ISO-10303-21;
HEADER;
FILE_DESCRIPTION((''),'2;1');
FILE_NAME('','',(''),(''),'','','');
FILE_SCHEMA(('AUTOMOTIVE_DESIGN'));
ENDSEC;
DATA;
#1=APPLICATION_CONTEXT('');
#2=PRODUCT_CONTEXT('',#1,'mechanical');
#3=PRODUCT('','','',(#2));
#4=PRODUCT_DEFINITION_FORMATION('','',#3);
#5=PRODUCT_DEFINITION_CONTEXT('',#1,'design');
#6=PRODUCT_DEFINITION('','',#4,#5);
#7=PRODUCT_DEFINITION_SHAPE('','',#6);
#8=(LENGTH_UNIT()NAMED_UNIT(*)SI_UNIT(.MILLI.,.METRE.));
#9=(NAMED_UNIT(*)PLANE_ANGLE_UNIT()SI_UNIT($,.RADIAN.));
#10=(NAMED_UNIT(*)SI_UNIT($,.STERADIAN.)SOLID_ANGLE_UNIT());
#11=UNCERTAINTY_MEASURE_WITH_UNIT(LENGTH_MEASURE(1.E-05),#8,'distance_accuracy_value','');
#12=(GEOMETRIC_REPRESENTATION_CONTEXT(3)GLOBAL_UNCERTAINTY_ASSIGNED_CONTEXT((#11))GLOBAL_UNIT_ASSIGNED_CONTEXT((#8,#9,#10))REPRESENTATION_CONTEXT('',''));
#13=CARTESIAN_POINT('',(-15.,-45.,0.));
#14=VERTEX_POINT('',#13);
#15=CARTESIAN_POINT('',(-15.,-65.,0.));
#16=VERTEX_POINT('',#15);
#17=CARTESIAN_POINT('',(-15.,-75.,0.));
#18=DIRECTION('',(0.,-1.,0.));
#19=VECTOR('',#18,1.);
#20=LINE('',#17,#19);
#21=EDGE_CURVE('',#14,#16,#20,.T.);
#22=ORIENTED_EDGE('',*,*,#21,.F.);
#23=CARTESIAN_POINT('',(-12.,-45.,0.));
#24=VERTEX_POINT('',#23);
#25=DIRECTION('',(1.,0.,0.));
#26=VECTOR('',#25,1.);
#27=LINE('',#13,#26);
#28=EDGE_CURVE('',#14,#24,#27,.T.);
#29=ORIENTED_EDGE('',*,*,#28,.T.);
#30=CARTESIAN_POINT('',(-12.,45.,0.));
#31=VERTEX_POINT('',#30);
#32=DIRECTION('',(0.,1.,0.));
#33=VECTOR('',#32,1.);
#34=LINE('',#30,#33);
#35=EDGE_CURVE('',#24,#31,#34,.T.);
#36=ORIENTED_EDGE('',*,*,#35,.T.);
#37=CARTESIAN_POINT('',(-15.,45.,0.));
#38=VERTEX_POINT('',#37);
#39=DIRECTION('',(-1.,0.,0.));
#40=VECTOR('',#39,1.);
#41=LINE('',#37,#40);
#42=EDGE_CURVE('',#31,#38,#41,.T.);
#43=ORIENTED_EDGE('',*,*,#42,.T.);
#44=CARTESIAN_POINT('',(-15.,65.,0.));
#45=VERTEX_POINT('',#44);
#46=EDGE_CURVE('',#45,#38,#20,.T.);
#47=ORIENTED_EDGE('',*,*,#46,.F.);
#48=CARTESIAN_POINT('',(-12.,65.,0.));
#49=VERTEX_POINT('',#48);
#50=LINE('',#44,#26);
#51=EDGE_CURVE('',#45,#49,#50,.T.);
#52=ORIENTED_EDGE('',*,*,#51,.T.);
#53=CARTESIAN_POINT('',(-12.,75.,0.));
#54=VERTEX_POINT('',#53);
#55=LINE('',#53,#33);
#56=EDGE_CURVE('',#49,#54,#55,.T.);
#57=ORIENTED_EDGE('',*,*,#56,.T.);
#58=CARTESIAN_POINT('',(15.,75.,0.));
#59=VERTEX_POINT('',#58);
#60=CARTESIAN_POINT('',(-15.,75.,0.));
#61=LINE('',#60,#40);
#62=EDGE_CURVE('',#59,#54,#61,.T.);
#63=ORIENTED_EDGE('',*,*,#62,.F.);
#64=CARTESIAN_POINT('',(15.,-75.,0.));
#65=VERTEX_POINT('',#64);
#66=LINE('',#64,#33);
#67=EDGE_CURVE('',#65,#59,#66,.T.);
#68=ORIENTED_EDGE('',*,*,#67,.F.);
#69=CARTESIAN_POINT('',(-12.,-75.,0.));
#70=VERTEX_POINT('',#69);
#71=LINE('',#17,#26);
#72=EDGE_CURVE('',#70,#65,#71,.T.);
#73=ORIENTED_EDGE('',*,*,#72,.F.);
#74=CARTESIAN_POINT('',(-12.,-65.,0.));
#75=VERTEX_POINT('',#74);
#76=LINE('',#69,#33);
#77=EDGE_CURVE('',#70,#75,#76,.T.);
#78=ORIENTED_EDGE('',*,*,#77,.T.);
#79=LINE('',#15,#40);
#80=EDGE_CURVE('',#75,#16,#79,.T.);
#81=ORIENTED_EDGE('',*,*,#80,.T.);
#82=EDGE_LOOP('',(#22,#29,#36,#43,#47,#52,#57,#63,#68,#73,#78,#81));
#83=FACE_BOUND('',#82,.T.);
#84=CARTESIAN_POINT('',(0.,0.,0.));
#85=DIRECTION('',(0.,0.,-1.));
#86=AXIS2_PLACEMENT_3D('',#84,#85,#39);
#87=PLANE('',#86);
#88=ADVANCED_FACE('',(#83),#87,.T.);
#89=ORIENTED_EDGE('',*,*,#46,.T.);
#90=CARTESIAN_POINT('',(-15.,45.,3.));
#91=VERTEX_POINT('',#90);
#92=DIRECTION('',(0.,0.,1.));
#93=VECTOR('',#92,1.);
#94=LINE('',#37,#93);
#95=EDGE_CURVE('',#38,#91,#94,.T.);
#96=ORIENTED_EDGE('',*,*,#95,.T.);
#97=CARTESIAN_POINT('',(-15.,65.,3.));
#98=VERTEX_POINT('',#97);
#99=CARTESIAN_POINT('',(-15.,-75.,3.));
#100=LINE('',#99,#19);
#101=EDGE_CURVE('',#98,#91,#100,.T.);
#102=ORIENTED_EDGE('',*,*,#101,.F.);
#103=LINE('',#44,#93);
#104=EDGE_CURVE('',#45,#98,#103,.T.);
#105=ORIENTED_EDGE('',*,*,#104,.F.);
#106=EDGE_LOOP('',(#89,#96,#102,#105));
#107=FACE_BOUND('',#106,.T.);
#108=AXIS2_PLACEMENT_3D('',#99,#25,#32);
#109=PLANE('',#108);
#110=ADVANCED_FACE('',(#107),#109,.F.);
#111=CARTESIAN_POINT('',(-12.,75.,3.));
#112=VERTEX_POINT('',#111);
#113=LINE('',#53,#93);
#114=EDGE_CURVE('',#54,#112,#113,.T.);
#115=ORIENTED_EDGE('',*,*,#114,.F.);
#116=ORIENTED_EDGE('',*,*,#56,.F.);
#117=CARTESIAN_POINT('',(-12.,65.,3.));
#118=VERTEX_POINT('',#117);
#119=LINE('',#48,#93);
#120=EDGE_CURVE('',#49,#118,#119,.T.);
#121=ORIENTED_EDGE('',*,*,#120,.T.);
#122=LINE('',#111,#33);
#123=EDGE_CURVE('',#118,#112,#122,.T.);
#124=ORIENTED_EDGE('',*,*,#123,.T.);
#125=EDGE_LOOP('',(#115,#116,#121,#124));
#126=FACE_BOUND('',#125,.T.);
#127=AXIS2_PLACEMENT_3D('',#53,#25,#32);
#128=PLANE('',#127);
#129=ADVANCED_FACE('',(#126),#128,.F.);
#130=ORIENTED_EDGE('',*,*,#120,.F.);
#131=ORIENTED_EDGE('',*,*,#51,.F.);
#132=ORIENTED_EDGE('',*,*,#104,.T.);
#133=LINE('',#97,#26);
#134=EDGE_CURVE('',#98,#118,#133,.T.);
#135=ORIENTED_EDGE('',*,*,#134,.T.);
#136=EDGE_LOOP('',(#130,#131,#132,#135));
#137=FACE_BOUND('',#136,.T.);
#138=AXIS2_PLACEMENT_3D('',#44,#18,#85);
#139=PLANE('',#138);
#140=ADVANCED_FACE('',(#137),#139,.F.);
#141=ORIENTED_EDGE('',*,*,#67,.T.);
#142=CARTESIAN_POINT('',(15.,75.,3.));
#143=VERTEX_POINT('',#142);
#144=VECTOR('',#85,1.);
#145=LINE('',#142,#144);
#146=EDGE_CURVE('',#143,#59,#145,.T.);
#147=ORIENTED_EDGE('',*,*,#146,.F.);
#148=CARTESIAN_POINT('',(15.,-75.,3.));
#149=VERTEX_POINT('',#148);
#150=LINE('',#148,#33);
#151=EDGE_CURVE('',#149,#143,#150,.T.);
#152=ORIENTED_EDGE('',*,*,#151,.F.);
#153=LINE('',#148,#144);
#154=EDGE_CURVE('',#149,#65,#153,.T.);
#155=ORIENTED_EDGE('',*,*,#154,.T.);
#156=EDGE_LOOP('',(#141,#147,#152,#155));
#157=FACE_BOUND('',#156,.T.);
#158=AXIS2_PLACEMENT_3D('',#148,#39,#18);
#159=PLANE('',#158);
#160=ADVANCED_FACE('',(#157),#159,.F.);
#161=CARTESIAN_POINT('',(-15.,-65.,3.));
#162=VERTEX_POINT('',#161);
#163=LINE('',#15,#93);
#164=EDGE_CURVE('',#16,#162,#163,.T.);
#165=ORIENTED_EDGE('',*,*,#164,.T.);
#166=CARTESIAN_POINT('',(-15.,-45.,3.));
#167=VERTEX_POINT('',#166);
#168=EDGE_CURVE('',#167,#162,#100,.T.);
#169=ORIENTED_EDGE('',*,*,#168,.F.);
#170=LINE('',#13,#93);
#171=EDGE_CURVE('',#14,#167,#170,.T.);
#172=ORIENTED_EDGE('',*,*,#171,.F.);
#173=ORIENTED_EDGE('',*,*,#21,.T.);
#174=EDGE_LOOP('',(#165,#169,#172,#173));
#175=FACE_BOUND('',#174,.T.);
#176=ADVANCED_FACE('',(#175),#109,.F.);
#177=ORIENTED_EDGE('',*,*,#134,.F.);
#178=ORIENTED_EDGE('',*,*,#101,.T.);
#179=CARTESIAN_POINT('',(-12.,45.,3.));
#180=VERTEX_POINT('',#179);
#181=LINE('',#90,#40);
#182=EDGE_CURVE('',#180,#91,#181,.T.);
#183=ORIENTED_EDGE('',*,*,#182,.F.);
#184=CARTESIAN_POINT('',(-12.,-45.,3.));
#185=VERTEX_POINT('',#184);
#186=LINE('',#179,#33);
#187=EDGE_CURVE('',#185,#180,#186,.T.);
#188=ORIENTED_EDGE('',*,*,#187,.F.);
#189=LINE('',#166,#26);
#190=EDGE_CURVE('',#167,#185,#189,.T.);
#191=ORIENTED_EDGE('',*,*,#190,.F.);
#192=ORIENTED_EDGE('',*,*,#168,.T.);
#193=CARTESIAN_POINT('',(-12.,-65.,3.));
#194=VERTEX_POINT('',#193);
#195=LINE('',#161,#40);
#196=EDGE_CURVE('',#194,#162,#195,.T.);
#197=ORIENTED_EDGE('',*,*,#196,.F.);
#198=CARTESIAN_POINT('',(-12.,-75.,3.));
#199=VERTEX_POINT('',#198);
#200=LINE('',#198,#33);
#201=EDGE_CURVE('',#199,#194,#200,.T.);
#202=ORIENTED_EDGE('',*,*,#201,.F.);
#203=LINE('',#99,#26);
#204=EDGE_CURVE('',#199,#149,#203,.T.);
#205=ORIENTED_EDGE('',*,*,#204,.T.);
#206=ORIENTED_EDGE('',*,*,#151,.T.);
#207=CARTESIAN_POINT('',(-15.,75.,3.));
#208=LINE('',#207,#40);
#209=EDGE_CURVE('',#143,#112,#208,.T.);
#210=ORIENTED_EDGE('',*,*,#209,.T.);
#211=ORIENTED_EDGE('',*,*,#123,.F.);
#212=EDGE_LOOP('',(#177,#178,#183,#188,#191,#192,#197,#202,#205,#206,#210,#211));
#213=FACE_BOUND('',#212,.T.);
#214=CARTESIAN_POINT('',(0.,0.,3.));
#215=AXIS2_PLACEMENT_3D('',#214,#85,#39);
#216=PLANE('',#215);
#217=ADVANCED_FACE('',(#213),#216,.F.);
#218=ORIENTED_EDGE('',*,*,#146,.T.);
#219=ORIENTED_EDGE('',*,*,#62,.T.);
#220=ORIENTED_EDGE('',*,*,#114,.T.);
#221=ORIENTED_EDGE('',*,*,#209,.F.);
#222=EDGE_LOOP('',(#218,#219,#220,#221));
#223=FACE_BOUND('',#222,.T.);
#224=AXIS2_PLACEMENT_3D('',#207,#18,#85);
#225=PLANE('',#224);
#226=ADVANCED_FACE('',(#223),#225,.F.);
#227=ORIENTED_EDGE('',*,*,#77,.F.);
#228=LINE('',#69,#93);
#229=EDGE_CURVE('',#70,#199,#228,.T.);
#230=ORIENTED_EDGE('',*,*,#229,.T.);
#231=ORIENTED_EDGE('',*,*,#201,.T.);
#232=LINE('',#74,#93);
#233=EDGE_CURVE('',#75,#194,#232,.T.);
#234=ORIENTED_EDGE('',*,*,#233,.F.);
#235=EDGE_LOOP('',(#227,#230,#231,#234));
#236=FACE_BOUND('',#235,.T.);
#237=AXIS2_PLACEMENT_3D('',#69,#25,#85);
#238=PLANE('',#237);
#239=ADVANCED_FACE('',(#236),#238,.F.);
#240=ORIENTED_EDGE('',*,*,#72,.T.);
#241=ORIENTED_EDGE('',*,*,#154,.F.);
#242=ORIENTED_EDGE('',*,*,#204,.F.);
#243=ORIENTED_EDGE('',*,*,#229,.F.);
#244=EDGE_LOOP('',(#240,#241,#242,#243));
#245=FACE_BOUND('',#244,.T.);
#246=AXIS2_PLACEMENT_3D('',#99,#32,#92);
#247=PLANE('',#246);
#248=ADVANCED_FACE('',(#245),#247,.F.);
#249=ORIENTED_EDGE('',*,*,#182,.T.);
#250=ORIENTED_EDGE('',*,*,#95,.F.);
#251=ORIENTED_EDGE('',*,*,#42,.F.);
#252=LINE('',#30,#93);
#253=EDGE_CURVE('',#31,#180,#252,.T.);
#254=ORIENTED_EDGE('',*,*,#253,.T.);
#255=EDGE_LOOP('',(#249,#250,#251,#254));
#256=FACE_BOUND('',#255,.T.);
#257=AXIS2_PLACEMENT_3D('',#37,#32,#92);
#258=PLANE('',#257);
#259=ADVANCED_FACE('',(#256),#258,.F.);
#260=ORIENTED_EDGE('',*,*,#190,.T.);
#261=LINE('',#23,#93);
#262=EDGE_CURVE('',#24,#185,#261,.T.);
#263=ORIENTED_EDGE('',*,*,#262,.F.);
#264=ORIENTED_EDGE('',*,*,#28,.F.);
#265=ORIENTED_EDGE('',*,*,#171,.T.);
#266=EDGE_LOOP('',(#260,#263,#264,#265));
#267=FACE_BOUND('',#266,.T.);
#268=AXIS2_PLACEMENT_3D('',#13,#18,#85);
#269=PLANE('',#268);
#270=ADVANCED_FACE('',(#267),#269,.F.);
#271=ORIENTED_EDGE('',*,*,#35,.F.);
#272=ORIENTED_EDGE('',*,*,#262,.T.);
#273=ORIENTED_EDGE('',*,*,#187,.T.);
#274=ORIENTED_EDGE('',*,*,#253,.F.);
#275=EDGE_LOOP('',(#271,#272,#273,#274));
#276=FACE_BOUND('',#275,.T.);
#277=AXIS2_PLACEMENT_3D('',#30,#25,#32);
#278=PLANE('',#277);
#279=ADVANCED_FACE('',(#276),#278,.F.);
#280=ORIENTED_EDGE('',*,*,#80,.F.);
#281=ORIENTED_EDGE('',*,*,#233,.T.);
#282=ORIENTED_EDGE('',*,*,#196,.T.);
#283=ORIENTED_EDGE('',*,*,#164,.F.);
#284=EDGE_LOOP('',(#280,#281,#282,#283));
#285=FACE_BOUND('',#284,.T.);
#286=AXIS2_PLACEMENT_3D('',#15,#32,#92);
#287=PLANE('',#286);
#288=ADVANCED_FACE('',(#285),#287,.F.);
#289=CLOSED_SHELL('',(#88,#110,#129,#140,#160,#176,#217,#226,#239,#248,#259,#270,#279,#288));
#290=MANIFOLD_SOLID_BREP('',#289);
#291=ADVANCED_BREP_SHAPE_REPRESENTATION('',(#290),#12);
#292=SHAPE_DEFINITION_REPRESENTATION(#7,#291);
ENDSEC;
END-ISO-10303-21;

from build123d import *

# Parameters (mm, degrees)
SKETCH1_W           = 30
SKETCH1_H           = 150
BOSS_EXTRUDE1_DEPTH = 3
SKETCH2_W           = 3
SKETCH2_H           = 10
SKETCH2_H_2         = 90
CUT_EXTRUDE1_DEPTH  = 3


with BuildPart() as part:
    # Sketch1 → Boss-Extrude1 (new body)
    with BuildSketch(Plane.XY):
        Rectangle(SKETCH1_W, SKETCH1_H)
    extrude(amount=BOSS_EXTRUDE1_DEPTH)

    # Sketch2 → Cut-Extrude1 (cut)
    with BuildSketch(Plane.XY.offset(3)):
        with Locations((-13.5, 70)):
            Rectangle(SKETCH2_W, SKETCH2_H)
        with Locations((-13.5, -70)):
            Rectangle(SKETCH2_W, SKETCH2_H)
        with Locations((-13.5, 0)):
            Rectangle(SKETCH2_W, SKETCH2_H_2)
    extrude(amount=-CUT_EXTRUDE1_DEPTH, mode=Mode.SUBTRACT)


solid = part.part
